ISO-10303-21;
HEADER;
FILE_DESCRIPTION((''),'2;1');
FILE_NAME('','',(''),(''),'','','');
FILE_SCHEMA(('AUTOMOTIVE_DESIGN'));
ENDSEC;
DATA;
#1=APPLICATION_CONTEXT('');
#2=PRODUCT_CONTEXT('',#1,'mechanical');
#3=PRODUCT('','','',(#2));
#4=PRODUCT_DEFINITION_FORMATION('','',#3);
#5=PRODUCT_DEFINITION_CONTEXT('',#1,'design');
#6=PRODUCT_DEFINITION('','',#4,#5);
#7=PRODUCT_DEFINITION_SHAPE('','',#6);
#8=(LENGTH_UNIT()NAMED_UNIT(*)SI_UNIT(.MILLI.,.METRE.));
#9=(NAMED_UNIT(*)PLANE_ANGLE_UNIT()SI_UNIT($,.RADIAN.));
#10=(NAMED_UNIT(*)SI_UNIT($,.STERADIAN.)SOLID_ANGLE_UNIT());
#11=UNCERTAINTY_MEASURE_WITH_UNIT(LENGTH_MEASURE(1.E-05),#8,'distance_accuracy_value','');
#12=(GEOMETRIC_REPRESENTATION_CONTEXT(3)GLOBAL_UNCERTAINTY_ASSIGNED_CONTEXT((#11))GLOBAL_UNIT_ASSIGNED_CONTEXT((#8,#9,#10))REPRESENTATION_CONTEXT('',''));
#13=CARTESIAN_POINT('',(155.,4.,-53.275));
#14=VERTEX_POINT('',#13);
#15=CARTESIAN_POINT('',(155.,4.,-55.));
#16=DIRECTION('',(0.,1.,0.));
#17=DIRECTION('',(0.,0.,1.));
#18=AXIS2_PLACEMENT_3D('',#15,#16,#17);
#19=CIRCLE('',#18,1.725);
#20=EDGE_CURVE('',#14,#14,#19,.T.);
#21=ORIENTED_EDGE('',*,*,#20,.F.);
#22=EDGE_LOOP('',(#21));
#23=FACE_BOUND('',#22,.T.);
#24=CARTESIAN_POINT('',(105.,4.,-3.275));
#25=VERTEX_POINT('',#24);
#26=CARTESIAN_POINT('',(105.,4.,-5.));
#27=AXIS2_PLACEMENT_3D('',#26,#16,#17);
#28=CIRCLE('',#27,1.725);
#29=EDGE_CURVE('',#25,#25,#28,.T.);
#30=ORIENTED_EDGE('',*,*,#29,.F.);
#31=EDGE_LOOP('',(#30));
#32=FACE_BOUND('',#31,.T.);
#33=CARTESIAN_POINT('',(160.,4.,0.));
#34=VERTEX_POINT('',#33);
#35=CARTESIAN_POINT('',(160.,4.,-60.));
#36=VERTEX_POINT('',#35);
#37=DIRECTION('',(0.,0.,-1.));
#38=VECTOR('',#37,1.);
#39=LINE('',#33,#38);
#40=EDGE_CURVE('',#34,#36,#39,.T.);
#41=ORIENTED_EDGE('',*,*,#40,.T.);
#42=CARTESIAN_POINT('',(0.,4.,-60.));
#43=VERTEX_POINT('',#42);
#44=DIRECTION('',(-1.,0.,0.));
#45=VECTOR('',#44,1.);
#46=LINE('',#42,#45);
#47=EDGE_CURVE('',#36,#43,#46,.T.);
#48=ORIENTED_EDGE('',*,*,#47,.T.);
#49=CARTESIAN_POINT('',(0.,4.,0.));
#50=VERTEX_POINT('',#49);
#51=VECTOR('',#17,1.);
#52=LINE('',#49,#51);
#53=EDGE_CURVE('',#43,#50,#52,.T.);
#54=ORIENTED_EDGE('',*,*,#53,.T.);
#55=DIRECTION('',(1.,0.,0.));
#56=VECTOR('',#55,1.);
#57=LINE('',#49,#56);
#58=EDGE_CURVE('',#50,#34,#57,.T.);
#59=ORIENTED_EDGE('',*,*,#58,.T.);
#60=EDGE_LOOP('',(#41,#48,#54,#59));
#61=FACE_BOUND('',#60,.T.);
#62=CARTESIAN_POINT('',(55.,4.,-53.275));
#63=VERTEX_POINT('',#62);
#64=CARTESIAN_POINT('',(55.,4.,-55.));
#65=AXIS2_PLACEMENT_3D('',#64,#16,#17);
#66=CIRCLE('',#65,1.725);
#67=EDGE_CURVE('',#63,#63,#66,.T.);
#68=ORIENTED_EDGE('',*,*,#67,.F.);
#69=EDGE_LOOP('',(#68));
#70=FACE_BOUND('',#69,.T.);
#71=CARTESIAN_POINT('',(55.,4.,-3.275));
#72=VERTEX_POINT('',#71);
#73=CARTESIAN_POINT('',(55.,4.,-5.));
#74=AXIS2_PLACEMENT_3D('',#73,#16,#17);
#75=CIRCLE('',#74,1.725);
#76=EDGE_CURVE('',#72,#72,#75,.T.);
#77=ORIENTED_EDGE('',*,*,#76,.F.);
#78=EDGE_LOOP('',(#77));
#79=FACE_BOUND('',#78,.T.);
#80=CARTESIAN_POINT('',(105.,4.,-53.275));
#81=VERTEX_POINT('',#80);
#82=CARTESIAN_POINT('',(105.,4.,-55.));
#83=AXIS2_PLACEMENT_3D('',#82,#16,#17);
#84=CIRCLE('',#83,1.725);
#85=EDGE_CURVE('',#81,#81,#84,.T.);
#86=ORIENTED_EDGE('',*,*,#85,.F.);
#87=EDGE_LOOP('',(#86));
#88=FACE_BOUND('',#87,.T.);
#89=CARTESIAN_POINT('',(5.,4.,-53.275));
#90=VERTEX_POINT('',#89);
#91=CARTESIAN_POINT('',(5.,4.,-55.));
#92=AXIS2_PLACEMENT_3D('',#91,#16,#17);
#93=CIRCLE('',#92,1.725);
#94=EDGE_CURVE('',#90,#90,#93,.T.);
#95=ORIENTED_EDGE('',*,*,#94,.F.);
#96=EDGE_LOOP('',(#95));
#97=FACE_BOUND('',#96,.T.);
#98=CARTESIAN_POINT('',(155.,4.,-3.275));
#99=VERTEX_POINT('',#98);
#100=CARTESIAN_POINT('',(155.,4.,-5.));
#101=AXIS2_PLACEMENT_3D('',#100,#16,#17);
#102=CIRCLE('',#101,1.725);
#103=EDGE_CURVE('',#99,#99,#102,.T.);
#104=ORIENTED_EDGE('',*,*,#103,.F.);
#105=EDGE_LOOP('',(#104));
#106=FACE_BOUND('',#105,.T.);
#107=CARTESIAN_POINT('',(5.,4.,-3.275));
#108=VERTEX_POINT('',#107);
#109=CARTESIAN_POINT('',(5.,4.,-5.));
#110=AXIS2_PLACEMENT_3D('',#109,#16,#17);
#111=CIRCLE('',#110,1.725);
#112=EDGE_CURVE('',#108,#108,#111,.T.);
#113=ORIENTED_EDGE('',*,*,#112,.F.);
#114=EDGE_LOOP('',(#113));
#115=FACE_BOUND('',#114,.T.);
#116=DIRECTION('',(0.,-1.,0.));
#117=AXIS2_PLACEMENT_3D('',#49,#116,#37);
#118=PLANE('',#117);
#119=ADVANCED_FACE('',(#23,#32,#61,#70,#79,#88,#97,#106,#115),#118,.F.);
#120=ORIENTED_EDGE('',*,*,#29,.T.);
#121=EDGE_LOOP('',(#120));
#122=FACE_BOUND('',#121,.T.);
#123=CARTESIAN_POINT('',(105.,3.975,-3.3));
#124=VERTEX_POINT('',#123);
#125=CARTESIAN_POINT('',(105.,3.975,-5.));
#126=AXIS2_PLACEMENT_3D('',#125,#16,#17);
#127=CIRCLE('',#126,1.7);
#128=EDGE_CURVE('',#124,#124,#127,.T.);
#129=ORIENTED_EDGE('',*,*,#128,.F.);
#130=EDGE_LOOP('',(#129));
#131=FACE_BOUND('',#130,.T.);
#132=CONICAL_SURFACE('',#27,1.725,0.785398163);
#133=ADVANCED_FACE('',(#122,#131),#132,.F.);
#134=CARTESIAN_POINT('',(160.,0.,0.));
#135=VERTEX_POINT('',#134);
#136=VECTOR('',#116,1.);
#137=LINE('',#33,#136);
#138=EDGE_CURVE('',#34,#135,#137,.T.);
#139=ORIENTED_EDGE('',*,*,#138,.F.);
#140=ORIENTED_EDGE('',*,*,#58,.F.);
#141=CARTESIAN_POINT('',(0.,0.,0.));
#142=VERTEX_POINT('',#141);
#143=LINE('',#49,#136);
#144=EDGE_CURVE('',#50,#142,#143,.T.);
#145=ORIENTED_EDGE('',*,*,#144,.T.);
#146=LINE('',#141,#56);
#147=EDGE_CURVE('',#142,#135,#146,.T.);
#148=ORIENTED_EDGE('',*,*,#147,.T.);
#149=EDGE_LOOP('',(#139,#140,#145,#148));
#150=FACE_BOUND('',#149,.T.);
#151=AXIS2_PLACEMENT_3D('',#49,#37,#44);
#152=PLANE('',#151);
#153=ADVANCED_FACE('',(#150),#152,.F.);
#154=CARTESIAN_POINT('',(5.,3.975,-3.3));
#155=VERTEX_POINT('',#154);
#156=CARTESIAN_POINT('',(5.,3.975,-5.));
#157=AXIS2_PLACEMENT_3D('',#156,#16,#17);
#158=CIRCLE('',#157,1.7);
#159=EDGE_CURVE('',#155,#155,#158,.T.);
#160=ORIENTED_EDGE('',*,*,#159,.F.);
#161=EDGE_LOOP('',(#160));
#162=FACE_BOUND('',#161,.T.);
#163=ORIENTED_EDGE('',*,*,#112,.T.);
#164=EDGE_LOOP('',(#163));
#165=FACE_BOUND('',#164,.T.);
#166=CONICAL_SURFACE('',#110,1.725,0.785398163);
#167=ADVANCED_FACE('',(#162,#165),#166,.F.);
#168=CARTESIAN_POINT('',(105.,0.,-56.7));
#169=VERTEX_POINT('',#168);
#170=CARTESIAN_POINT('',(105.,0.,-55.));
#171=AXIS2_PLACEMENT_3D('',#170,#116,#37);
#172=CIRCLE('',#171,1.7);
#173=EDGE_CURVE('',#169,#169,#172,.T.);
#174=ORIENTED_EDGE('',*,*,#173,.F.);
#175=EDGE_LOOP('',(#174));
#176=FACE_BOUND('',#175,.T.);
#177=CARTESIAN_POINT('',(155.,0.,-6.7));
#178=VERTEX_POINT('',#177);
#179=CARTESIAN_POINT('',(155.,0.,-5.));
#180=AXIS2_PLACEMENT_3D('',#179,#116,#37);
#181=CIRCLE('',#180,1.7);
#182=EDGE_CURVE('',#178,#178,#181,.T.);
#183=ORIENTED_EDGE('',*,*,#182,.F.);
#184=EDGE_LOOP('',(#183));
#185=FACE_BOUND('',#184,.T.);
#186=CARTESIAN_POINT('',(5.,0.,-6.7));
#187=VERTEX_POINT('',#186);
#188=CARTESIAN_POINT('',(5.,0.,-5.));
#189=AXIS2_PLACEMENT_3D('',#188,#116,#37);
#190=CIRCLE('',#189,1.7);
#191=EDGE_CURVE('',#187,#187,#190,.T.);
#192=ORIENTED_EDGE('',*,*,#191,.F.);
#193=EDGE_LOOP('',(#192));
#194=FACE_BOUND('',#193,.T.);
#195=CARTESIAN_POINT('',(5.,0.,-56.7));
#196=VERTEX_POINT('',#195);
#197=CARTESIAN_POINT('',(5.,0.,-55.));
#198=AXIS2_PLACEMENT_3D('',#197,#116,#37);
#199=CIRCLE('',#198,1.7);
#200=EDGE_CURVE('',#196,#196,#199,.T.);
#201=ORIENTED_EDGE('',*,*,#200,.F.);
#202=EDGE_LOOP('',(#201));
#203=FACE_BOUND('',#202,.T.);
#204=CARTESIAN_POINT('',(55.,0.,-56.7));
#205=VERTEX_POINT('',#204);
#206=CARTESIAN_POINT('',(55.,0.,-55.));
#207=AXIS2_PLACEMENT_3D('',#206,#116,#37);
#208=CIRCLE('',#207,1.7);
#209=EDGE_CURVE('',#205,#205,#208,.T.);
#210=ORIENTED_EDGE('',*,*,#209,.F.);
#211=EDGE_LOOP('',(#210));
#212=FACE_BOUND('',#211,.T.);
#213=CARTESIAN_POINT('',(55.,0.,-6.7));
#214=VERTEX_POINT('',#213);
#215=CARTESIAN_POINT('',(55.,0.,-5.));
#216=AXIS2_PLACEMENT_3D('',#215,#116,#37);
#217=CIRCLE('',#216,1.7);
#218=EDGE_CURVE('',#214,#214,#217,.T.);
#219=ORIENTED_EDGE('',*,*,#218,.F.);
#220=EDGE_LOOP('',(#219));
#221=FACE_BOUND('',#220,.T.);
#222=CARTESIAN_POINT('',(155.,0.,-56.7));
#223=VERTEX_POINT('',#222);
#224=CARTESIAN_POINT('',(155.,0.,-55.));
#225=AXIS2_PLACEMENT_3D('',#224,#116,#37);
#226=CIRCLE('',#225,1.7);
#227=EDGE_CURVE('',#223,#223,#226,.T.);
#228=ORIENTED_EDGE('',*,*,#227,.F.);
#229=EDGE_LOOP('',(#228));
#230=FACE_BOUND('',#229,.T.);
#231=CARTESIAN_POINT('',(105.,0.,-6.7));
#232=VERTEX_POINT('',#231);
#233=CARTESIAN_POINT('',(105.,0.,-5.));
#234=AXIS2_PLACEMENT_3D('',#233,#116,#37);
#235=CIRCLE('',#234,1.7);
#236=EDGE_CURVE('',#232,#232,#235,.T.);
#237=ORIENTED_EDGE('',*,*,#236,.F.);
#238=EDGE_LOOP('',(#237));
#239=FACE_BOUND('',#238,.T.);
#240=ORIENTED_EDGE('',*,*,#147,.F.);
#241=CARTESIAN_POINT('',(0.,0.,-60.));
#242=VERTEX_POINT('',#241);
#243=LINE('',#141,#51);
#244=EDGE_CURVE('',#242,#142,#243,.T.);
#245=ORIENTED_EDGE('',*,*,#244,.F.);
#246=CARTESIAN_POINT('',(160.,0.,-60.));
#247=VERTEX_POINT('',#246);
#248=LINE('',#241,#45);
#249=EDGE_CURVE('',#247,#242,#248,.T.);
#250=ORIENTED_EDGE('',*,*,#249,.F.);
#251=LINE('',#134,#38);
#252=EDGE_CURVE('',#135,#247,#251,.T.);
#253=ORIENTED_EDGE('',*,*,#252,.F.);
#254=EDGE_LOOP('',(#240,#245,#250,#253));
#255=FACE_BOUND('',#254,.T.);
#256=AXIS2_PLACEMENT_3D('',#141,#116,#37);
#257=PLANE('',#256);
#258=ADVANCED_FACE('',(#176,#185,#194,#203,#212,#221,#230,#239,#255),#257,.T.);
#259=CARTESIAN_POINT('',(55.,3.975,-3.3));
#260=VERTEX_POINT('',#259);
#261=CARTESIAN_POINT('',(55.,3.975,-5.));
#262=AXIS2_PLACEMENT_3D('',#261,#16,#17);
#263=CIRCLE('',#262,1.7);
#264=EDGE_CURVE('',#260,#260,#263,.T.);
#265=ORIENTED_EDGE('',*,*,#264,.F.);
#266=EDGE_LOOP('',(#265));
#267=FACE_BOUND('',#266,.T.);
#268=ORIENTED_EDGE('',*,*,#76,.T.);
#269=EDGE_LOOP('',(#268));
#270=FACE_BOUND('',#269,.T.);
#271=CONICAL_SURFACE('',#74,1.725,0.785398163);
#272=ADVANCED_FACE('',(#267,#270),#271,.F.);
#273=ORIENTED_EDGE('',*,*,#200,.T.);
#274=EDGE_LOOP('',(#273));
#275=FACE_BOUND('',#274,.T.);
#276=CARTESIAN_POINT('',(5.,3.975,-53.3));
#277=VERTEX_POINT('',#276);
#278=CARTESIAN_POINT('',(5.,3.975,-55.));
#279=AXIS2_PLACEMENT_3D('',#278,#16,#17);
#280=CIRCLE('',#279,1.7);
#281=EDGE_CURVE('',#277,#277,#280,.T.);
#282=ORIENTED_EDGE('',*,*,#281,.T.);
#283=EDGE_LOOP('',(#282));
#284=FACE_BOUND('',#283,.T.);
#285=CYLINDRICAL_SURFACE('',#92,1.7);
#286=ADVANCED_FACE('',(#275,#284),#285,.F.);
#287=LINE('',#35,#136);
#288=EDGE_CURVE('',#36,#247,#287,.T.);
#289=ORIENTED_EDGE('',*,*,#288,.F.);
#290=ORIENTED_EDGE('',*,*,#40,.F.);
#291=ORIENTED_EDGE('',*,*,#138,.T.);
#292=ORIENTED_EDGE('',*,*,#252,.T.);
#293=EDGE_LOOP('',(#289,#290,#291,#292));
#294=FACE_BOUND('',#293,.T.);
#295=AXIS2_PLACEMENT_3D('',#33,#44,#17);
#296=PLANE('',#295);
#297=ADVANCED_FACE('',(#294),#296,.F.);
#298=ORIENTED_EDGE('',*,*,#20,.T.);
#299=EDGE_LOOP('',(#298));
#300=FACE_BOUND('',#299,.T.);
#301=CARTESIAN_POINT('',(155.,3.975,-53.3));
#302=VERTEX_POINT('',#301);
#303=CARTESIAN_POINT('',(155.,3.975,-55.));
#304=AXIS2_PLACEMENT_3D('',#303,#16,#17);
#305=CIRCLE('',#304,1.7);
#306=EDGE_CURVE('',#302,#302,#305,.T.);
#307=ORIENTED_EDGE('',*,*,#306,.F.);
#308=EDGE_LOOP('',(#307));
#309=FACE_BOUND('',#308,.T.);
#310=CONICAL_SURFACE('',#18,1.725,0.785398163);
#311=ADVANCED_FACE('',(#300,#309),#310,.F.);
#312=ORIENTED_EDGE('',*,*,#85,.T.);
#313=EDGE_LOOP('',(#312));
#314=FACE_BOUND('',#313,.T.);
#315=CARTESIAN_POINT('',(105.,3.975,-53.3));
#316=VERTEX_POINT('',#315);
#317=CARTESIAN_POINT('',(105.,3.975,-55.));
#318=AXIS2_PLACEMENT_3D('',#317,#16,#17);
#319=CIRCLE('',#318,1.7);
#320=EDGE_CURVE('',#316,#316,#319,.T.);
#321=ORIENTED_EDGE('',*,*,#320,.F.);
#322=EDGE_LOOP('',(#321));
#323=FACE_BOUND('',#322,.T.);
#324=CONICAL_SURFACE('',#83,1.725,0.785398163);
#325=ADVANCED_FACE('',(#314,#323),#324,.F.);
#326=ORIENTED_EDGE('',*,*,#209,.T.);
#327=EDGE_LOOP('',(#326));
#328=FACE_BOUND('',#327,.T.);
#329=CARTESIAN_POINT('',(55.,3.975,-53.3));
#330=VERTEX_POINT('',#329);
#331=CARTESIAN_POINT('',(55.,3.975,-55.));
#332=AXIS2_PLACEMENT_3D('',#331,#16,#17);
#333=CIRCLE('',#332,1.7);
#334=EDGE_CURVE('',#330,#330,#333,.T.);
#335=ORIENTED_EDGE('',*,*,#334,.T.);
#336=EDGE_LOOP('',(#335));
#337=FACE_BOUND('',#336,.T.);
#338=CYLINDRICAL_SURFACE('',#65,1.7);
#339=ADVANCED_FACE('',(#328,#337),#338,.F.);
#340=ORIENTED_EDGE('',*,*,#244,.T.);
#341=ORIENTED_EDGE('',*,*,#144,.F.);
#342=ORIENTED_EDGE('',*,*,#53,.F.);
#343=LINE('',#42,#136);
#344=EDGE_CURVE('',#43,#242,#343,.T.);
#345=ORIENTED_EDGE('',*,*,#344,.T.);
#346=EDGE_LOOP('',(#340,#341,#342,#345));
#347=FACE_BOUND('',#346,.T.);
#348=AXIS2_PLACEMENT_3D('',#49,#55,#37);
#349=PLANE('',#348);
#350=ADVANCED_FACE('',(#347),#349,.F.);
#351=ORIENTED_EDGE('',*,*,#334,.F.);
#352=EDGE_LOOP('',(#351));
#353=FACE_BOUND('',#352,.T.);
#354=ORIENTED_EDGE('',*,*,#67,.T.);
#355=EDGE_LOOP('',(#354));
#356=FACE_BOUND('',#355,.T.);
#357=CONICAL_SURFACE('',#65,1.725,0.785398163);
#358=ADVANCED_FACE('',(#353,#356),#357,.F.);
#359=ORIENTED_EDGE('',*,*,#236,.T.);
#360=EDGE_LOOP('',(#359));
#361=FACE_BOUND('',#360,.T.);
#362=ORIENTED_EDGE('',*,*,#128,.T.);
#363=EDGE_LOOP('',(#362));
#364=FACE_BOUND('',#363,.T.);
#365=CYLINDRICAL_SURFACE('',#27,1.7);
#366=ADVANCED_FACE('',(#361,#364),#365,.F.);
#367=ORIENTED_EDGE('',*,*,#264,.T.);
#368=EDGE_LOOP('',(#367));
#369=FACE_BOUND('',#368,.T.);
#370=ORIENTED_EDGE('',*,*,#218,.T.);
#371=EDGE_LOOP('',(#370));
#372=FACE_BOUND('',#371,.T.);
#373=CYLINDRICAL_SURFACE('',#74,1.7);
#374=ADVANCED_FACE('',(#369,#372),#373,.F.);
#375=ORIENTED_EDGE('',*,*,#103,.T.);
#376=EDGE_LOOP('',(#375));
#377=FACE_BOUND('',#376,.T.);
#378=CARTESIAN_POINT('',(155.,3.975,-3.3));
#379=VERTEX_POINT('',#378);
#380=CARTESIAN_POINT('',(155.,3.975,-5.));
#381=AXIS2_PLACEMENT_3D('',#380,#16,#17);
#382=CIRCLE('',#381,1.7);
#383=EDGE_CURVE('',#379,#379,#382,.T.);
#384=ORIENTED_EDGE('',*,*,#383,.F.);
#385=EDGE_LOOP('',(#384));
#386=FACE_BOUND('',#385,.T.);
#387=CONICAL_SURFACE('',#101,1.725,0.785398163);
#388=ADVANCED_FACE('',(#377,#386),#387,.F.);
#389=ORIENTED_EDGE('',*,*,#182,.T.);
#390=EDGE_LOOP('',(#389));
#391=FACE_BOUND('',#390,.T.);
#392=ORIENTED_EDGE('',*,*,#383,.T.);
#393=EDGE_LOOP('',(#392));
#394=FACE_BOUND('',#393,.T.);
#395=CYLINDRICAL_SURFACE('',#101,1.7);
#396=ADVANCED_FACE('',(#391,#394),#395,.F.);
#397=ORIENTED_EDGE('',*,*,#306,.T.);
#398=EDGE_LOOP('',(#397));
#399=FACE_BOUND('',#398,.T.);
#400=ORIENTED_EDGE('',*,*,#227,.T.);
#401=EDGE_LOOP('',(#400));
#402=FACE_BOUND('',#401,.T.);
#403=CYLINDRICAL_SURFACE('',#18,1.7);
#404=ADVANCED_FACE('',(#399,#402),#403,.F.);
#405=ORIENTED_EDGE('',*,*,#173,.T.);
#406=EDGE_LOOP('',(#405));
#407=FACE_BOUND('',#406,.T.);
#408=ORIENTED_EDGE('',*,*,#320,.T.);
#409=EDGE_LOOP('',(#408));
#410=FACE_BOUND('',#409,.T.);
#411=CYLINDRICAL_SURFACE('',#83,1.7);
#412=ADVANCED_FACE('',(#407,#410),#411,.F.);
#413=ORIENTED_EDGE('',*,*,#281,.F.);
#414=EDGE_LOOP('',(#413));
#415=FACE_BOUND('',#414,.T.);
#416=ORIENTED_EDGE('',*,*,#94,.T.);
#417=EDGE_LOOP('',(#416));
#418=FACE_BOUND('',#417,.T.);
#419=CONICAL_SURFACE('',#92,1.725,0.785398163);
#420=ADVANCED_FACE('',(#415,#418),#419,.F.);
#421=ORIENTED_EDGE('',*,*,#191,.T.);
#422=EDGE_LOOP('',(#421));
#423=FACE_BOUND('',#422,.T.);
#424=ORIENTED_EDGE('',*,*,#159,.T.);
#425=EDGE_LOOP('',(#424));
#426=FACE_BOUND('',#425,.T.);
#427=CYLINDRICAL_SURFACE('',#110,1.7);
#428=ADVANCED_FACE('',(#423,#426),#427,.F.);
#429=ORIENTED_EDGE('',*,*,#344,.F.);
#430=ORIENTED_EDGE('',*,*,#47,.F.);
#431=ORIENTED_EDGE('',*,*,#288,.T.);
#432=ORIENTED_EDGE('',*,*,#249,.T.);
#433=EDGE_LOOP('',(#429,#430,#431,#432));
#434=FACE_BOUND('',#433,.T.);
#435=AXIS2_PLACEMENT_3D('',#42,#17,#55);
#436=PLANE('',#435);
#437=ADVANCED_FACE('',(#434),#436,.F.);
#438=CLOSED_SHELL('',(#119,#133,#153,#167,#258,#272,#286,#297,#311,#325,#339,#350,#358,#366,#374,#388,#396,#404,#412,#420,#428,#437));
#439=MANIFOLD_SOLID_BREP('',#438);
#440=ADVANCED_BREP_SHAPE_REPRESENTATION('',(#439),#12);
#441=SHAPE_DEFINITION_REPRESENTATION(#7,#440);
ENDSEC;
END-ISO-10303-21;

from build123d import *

# Parameters (mm, degrees)
SKETCH1_W                      = 160
SKETCH1_H                      = 60
BOSS_EXTRUDE1_DEPTH            = 4
M3_CLEARANCE_HOLE1_D           = 3.4
M3_CLEARANCE_HOLE1_CSINK_D     = 3.45
M3_CLEARANCE_HOLE1_CSINK_ANGLE = 90


with BuildPart() as part:
    # Sketch1 → Boss-Extrude1 (new body)
    with BuildSketch(Plane(origin=(0, 0, 0), x_dir=(1, 0, 0), z_dir=(0, 1, 0))):
        with Locations((80, 30)):
            Rectangle(SKETCH1_W, SKETCH1_H)
    extrude(amount=BOSS_EXTRUDE1_DEPTH)

    # M3 Clearance Hole1 (through all)
    with Locations(Plane(origin=(0, 4, 0), x_dir=(1, 0, 0), z_dir=(0, 1, 0))):
        with Locations((155, 55), (5, 5), (55, 5), (105, 5), (155, 5), (5, 55), (55, 55), (105, 55)):
            CounterSinkHole(M3_CLEARANCE_HOLE1_D / 2, M3_CLEARANCE_HOLE1_CSINK_D / 2, counter_sink_angle=M3_CLEARANCE_HOLE1_CSINK_ANGLE)


solid = part.part
